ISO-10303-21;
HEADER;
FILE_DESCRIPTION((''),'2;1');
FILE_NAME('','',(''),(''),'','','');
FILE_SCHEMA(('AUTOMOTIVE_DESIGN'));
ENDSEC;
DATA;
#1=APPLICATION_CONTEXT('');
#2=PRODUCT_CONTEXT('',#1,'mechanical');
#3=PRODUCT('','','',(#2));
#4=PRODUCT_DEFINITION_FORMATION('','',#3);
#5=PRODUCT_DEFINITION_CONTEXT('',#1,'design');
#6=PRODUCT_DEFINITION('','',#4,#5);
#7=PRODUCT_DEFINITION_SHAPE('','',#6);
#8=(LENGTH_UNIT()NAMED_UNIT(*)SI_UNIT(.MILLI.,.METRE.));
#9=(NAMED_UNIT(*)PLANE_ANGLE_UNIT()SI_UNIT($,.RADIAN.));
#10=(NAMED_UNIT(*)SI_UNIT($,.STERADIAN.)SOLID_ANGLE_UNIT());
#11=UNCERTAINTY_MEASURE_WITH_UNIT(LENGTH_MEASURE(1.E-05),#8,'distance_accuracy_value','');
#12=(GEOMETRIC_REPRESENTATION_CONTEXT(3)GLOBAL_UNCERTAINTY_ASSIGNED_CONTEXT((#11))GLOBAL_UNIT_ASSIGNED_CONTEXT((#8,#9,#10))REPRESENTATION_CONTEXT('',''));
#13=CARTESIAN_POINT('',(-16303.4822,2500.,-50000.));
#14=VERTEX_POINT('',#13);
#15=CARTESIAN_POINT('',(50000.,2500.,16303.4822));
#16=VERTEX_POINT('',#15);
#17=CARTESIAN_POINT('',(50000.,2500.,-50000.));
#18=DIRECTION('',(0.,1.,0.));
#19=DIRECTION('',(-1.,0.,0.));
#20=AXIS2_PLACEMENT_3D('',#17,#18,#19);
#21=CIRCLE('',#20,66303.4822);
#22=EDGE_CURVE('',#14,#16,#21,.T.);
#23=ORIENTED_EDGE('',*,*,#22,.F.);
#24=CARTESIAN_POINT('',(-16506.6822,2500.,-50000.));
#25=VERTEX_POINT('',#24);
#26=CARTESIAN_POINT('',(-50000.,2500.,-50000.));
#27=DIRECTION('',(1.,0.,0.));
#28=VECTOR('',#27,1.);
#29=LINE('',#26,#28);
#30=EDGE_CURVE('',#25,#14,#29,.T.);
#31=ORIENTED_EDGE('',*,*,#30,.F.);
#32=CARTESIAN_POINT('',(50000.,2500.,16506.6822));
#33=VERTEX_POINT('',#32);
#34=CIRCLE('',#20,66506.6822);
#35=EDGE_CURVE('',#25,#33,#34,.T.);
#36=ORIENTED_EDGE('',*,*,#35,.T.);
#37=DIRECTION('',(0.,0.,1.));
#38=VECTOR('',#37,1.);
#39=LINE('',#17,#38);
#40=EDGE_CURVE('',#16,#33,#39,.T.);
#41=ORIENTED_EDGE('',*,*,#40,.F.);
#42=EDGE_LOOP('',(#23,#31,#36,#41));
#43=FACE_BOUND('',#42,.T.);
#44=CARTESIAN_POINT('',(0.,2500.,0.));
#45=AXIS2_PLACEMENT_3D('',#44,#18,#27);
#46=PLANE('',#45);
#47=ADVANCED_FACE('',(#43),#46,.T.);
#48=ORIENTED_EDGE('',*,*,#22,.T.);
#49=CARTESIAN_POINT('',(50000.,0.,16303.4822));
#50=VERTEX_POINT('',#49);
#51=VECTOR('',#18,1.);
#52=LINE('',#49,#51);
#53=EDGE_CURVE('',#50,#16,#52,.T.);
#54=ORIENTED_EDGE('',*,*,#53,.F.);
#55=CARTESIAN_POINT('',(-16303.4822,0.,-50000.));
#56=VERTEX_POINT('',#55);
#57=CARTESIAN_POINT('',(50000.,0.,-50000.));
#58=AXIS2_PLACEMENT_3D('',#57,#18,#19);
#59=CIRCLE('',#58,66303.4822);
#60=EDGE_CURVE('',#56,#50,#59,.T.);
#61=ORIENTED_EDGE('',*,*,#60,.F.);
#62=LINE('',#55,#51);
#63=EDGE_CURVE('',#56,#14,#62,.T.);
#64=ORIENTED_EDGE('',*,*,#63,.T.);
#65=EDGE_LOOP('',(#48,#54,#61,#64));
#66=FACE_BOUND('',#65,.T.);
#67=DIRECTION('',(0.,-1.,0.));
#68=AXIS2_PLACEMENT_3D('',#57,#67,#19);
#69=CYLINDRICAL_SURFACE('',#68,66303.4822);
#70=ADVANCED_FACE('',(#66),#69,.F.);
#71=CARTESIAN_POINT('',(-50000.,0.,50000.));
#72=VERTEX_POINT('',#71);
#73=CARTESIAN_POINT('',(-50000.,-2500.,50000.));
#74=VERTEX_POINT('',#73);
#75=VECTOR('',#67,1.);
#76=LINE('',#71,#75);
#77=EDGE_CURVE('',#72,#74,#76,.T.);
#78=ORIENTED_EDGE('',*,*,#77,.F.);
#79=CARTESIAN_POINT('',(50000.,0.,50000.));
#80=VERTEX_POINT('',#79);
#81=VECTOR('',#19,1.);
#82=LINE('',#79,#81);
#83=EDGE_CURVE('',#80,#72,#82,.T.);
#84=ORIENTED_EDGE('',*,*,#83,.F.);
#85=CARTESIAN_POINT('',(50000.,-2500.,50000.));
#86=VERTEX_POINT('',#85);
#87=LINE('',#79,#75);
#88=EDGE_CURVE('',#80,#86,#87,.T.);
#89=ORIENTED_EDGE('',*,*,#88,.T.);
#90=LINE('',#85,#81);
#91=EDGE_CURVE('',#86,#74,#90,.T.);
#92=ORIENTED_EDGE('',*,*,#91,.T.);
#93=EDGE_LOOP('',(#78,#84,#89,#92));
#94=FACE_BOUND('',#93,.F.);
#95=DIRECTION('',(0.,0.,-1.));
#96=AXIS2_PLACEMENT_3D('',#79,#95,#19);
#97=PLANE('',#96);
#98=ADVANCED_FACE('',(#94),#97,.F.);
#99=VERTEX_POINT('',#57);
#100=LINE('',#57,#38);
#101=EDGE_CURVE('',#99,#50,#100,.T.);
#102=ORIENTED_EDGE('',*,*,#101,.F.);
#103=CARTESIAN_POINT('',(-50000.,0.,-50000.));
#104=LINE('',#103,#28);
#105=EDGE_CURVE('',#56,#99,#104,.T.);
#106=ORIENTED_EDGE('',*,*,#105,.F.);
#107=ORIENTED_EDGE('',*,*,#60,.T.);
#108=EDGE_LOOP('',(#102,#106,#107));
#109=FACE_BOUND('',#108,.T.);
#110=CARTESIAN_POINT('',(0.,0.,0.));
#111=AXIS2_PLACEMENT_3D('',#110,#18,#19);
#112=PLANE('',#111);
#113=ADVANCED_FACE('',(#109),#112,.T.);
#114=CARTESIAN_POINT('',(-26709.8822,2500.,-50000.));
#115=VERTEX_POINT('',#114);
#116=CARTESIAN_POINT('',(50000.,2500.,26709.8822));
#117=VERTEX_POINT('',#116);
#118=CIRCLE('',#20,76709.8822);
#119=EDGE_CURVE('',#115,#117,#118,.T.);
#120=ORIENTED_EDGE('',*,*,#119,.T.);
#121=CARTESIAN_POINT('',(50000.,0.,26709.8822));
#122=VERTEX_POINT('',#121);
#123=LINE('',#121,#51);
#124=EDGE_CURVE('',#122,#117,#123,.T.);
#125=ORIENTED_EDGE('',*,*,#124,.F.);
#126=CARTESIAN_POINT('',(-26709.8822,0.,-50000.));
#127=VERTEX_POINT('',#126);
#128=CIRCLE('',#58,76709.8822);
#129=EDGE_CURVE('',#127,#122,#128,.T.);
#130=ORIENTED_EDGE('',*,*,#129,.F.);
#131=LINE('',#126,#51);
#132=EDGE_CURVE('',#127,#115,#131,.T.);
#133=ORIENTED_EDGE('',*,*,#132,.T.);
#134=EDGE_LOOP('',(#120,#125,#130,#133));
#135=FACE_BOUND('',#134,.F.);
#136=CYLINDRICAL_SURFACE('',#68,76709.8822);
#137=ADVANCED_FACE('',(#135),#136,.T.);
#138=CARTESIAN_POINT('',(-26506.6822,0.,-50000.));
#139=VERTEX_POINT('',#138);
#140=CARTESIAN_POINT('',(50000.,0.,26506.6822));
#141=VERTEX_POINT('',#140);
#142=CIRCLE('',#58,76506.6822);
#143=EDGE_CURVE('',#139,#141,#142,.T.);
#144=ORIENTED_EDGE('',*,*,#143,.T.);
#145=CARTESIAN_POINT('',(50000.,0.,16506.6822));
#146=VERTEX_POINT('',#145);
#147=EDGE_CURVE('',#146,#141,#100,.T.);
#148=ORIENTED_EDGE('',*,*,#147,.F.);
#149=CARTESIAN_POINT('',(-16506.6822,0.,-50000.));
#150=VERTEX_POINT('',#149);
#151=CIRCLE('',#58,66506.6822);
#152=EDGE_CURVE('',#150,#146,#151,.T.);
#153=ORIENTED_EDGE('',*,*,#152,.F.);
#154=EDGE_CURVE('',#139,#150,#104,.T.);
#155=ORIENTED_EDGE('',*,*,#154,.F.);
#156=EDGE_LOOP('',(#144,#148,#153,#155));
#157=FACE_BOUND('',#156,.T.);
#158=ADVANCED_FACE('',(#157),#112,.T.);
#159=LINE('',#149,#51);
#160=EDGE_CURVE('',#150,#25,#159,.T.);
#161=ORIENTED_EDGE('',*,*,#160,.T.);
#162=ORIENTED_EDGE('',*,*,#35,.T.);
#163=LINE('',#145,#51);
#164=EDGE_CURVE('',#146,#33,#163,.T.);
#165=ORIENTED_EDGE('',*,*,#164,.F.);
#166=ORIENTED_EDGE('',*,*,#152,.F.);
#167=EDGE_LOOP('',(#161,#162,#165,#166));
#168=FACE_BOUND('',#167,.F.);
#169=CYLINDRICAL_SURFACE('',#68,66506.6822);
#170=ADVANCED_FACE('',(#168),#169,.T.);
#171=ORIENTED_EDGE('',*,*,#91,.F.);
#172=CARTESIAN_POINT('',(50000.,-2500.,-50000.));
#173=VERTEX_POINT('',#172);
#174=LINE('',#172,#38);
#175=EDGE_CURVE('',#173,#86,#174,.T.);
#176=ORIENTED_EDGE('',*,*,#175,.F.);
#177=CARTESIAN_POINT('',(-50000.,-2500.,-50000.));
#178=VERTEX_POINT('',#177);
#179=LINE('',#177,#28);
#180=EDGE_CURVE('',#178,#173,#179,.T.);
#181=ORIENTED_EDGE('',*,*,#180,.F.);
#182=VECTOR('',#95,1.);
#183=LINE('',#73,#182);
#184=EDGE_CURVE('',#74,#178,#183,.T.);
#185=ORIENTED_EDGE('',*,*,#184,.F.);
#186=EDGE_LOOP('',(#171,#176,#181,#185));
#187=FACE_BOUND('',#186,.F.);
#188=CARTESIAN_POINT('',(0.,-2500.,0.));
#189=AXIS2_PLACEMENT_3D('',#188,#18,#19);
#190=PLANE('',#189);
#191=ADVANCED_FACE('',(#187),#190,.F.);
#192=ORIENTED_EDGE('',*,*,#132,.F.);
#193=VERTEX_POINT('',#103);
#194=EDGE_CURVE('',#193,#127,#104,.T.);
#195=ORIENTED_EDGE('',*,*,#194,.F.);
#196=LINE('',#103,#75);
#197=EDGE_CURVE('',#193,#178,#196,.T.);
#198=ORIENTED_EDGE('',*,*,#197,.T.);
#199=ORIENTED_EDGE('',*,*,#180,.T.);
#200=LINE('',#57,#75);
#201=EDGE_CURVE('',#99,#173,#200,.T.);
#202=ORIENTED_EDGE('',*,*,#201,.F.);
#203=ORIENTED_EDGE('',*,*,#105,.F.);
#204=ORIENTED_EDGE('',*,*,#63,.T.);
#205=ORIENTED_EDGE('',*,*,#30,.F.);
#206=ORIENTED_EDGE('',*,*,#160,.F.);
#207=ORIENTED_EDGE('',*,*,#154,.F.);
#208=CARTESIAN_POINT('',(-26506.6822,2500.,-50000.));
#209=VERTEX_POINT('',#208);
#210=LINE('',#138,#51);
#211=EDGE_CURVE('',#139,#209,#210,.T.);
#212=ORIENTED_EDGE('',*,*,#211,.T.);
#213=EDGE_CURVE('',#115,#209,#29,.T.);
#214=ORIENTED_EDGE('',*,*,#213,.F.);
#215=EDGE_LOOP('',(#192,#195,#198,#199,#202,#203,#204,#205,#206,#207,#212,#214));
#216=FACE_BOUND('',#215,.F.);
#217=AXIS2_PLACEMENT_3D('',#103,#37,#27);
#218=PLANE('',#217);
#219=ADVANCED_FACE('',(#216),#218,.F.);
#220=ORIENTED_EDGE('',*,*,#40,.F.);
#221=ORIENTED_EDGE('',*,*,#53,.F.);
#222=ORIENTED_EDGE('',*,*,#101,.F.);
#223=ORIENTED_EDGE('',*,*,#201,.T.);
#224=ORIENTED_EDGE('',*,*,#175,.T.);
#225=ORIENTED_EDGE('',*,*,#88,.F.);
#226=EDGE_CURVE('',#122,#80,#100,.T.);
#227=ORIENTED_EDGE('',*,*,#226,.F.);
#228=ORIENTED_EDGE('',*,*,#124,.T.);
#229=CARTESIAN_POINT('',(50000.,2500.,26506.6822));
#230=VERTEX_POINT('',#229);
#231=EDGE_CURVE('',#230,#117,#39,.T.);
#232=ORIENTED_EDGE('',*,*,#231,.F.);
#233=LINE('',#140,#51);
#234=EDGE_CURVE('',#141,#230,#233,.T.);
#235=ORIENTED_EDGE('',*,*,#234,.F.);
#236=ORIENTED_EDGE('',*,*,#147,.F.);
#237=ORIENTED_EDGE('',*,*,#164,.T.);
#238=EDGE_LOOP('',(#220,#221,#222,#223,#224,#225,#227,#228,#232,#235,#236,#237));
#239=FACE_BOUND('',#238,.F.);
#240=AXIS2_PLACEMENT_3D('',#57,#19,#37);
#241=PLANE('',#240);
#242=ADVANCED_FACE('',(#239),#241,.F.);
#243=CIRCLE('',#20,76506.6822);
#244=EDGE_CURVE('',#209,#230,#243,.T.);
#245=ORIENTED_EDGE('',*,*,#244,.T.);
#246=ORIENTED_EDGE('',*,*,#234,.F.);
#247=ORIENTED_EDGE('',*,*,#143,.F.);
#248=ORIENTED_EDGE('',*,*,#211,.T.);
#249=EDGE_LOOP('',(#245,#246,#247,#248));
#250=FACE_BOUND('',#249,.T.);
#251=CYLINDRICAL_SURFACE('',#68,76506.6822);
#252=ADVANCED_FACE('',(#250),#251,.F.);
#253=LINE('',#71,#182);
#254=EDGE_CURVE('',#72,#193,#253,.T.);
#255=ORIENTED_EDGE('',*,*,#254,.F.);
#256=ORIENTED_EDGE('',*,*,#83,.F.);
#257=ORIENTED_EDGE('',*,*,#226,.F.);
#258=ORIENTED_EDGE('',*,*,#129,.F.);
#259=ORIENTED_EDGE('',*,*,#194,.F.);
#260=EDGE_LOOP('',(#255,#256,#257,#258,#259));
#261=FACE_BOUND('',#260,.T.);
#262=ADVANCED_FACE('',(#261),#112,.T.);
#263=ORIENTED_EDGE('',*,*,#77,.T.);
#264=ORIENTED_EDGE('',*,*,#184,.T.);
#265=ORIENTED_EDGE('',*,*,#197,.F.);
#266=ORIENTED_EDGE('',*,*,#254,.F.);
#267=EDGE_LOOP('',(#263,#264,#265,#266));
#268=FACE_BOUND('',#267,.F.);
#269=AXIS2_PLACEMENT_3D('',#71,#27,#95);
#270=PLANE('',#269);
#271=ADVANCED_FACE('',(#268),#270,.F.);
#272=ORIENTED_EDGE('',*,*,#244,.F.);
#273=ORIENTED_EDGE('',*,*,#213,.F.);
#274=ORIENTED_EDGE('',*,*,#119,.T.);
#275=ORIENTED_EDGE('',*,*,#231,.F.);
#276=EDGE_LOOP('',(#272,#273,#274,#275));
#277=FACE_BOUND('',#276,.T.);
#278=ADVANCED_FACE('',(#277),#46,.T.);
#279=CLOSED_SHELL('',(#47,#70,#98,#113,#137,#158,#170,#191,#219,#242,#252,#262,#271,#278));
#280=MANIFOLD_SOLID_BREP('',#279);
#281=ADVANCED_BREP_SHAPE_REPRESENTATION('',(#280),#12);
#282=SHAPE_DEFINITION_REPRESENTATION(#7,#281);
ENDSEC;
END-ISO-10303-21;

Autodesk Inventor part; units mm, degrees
ref_plane "YZ Plane" through (0, 0, 0) normal (1, 0, 0) x (0, 1, 0)
ref_plane "XZ Plane" through (0, 0, 0) normal (0, 1, 0) x (-1, 0, 0)
ref_plane "XY Plane" through (0, 0, 0) normal (0, 0, 1) x (1, 0, 0)
sketch "Sketch1" plane through (0, 0, 0) normal (0, 1, 0) x (-1, 0, 0)
  line L0 (-50000, 50000) -> (50000, 50000)
  line L1 (50000, 50000) -> (50000, -50000)
  line L2 (50000, -50000) -> (-50000, -50000)
  line L3 (-50000, -50000) -> (-50000, 50000)
  line L4 (-50000, 50000) -> (50000, -50000) construction
  line L5 (50000, 50000) -> (-50000, -50000) construction
  point P0 (0, 0)
  dimension "d0" = 100000
  dimension "d1" = 100000
extrude "Extrusion1" add sketch "Sketch1" against normal blind 2500
sketch "Sketch2" plane through (0, 0, 0) normal (0, 1, 0) x (1, 0, 0)
  line L0 (-50000, 50000) -> (50000, 50000) projected
  line L1 (50000, 50000) -> (50000, -50000) projected
  arc A0 (0, 50000) -> (50000, 0) centre (50000, 50000) ccw construction
  arc A1 (-26506.6822, 50000) -> (50000, -26506.6822) centre (50000, 50000) ccw
  arc A2 (-16506.6822, 50000) -> (50000, -16506.6822) centre (50000, 50000) ccw
  arc A3 (-26709.8822, 50000) -> (50000, -26709.8822) centre (50000, 50000) ccw
  arc A4 (-16303.4822, 50000) -> (50000, -16303.4822) centre (50000, 50000) ccw
  point P0 (0, 0)
  point P1 (50000, -16303.4822)
  point P2 (50000, -26709.8822)
  dimension "d5" = 203.2
  dimension "d6" = 203.2
  dimension "d7" = 10000
extrude "Extrusion2" add sketch "Sketch2" along normal blind 2500 contours L0 A1 L1 A3 | L0 A4 L1 A2
properties part number "curve"
